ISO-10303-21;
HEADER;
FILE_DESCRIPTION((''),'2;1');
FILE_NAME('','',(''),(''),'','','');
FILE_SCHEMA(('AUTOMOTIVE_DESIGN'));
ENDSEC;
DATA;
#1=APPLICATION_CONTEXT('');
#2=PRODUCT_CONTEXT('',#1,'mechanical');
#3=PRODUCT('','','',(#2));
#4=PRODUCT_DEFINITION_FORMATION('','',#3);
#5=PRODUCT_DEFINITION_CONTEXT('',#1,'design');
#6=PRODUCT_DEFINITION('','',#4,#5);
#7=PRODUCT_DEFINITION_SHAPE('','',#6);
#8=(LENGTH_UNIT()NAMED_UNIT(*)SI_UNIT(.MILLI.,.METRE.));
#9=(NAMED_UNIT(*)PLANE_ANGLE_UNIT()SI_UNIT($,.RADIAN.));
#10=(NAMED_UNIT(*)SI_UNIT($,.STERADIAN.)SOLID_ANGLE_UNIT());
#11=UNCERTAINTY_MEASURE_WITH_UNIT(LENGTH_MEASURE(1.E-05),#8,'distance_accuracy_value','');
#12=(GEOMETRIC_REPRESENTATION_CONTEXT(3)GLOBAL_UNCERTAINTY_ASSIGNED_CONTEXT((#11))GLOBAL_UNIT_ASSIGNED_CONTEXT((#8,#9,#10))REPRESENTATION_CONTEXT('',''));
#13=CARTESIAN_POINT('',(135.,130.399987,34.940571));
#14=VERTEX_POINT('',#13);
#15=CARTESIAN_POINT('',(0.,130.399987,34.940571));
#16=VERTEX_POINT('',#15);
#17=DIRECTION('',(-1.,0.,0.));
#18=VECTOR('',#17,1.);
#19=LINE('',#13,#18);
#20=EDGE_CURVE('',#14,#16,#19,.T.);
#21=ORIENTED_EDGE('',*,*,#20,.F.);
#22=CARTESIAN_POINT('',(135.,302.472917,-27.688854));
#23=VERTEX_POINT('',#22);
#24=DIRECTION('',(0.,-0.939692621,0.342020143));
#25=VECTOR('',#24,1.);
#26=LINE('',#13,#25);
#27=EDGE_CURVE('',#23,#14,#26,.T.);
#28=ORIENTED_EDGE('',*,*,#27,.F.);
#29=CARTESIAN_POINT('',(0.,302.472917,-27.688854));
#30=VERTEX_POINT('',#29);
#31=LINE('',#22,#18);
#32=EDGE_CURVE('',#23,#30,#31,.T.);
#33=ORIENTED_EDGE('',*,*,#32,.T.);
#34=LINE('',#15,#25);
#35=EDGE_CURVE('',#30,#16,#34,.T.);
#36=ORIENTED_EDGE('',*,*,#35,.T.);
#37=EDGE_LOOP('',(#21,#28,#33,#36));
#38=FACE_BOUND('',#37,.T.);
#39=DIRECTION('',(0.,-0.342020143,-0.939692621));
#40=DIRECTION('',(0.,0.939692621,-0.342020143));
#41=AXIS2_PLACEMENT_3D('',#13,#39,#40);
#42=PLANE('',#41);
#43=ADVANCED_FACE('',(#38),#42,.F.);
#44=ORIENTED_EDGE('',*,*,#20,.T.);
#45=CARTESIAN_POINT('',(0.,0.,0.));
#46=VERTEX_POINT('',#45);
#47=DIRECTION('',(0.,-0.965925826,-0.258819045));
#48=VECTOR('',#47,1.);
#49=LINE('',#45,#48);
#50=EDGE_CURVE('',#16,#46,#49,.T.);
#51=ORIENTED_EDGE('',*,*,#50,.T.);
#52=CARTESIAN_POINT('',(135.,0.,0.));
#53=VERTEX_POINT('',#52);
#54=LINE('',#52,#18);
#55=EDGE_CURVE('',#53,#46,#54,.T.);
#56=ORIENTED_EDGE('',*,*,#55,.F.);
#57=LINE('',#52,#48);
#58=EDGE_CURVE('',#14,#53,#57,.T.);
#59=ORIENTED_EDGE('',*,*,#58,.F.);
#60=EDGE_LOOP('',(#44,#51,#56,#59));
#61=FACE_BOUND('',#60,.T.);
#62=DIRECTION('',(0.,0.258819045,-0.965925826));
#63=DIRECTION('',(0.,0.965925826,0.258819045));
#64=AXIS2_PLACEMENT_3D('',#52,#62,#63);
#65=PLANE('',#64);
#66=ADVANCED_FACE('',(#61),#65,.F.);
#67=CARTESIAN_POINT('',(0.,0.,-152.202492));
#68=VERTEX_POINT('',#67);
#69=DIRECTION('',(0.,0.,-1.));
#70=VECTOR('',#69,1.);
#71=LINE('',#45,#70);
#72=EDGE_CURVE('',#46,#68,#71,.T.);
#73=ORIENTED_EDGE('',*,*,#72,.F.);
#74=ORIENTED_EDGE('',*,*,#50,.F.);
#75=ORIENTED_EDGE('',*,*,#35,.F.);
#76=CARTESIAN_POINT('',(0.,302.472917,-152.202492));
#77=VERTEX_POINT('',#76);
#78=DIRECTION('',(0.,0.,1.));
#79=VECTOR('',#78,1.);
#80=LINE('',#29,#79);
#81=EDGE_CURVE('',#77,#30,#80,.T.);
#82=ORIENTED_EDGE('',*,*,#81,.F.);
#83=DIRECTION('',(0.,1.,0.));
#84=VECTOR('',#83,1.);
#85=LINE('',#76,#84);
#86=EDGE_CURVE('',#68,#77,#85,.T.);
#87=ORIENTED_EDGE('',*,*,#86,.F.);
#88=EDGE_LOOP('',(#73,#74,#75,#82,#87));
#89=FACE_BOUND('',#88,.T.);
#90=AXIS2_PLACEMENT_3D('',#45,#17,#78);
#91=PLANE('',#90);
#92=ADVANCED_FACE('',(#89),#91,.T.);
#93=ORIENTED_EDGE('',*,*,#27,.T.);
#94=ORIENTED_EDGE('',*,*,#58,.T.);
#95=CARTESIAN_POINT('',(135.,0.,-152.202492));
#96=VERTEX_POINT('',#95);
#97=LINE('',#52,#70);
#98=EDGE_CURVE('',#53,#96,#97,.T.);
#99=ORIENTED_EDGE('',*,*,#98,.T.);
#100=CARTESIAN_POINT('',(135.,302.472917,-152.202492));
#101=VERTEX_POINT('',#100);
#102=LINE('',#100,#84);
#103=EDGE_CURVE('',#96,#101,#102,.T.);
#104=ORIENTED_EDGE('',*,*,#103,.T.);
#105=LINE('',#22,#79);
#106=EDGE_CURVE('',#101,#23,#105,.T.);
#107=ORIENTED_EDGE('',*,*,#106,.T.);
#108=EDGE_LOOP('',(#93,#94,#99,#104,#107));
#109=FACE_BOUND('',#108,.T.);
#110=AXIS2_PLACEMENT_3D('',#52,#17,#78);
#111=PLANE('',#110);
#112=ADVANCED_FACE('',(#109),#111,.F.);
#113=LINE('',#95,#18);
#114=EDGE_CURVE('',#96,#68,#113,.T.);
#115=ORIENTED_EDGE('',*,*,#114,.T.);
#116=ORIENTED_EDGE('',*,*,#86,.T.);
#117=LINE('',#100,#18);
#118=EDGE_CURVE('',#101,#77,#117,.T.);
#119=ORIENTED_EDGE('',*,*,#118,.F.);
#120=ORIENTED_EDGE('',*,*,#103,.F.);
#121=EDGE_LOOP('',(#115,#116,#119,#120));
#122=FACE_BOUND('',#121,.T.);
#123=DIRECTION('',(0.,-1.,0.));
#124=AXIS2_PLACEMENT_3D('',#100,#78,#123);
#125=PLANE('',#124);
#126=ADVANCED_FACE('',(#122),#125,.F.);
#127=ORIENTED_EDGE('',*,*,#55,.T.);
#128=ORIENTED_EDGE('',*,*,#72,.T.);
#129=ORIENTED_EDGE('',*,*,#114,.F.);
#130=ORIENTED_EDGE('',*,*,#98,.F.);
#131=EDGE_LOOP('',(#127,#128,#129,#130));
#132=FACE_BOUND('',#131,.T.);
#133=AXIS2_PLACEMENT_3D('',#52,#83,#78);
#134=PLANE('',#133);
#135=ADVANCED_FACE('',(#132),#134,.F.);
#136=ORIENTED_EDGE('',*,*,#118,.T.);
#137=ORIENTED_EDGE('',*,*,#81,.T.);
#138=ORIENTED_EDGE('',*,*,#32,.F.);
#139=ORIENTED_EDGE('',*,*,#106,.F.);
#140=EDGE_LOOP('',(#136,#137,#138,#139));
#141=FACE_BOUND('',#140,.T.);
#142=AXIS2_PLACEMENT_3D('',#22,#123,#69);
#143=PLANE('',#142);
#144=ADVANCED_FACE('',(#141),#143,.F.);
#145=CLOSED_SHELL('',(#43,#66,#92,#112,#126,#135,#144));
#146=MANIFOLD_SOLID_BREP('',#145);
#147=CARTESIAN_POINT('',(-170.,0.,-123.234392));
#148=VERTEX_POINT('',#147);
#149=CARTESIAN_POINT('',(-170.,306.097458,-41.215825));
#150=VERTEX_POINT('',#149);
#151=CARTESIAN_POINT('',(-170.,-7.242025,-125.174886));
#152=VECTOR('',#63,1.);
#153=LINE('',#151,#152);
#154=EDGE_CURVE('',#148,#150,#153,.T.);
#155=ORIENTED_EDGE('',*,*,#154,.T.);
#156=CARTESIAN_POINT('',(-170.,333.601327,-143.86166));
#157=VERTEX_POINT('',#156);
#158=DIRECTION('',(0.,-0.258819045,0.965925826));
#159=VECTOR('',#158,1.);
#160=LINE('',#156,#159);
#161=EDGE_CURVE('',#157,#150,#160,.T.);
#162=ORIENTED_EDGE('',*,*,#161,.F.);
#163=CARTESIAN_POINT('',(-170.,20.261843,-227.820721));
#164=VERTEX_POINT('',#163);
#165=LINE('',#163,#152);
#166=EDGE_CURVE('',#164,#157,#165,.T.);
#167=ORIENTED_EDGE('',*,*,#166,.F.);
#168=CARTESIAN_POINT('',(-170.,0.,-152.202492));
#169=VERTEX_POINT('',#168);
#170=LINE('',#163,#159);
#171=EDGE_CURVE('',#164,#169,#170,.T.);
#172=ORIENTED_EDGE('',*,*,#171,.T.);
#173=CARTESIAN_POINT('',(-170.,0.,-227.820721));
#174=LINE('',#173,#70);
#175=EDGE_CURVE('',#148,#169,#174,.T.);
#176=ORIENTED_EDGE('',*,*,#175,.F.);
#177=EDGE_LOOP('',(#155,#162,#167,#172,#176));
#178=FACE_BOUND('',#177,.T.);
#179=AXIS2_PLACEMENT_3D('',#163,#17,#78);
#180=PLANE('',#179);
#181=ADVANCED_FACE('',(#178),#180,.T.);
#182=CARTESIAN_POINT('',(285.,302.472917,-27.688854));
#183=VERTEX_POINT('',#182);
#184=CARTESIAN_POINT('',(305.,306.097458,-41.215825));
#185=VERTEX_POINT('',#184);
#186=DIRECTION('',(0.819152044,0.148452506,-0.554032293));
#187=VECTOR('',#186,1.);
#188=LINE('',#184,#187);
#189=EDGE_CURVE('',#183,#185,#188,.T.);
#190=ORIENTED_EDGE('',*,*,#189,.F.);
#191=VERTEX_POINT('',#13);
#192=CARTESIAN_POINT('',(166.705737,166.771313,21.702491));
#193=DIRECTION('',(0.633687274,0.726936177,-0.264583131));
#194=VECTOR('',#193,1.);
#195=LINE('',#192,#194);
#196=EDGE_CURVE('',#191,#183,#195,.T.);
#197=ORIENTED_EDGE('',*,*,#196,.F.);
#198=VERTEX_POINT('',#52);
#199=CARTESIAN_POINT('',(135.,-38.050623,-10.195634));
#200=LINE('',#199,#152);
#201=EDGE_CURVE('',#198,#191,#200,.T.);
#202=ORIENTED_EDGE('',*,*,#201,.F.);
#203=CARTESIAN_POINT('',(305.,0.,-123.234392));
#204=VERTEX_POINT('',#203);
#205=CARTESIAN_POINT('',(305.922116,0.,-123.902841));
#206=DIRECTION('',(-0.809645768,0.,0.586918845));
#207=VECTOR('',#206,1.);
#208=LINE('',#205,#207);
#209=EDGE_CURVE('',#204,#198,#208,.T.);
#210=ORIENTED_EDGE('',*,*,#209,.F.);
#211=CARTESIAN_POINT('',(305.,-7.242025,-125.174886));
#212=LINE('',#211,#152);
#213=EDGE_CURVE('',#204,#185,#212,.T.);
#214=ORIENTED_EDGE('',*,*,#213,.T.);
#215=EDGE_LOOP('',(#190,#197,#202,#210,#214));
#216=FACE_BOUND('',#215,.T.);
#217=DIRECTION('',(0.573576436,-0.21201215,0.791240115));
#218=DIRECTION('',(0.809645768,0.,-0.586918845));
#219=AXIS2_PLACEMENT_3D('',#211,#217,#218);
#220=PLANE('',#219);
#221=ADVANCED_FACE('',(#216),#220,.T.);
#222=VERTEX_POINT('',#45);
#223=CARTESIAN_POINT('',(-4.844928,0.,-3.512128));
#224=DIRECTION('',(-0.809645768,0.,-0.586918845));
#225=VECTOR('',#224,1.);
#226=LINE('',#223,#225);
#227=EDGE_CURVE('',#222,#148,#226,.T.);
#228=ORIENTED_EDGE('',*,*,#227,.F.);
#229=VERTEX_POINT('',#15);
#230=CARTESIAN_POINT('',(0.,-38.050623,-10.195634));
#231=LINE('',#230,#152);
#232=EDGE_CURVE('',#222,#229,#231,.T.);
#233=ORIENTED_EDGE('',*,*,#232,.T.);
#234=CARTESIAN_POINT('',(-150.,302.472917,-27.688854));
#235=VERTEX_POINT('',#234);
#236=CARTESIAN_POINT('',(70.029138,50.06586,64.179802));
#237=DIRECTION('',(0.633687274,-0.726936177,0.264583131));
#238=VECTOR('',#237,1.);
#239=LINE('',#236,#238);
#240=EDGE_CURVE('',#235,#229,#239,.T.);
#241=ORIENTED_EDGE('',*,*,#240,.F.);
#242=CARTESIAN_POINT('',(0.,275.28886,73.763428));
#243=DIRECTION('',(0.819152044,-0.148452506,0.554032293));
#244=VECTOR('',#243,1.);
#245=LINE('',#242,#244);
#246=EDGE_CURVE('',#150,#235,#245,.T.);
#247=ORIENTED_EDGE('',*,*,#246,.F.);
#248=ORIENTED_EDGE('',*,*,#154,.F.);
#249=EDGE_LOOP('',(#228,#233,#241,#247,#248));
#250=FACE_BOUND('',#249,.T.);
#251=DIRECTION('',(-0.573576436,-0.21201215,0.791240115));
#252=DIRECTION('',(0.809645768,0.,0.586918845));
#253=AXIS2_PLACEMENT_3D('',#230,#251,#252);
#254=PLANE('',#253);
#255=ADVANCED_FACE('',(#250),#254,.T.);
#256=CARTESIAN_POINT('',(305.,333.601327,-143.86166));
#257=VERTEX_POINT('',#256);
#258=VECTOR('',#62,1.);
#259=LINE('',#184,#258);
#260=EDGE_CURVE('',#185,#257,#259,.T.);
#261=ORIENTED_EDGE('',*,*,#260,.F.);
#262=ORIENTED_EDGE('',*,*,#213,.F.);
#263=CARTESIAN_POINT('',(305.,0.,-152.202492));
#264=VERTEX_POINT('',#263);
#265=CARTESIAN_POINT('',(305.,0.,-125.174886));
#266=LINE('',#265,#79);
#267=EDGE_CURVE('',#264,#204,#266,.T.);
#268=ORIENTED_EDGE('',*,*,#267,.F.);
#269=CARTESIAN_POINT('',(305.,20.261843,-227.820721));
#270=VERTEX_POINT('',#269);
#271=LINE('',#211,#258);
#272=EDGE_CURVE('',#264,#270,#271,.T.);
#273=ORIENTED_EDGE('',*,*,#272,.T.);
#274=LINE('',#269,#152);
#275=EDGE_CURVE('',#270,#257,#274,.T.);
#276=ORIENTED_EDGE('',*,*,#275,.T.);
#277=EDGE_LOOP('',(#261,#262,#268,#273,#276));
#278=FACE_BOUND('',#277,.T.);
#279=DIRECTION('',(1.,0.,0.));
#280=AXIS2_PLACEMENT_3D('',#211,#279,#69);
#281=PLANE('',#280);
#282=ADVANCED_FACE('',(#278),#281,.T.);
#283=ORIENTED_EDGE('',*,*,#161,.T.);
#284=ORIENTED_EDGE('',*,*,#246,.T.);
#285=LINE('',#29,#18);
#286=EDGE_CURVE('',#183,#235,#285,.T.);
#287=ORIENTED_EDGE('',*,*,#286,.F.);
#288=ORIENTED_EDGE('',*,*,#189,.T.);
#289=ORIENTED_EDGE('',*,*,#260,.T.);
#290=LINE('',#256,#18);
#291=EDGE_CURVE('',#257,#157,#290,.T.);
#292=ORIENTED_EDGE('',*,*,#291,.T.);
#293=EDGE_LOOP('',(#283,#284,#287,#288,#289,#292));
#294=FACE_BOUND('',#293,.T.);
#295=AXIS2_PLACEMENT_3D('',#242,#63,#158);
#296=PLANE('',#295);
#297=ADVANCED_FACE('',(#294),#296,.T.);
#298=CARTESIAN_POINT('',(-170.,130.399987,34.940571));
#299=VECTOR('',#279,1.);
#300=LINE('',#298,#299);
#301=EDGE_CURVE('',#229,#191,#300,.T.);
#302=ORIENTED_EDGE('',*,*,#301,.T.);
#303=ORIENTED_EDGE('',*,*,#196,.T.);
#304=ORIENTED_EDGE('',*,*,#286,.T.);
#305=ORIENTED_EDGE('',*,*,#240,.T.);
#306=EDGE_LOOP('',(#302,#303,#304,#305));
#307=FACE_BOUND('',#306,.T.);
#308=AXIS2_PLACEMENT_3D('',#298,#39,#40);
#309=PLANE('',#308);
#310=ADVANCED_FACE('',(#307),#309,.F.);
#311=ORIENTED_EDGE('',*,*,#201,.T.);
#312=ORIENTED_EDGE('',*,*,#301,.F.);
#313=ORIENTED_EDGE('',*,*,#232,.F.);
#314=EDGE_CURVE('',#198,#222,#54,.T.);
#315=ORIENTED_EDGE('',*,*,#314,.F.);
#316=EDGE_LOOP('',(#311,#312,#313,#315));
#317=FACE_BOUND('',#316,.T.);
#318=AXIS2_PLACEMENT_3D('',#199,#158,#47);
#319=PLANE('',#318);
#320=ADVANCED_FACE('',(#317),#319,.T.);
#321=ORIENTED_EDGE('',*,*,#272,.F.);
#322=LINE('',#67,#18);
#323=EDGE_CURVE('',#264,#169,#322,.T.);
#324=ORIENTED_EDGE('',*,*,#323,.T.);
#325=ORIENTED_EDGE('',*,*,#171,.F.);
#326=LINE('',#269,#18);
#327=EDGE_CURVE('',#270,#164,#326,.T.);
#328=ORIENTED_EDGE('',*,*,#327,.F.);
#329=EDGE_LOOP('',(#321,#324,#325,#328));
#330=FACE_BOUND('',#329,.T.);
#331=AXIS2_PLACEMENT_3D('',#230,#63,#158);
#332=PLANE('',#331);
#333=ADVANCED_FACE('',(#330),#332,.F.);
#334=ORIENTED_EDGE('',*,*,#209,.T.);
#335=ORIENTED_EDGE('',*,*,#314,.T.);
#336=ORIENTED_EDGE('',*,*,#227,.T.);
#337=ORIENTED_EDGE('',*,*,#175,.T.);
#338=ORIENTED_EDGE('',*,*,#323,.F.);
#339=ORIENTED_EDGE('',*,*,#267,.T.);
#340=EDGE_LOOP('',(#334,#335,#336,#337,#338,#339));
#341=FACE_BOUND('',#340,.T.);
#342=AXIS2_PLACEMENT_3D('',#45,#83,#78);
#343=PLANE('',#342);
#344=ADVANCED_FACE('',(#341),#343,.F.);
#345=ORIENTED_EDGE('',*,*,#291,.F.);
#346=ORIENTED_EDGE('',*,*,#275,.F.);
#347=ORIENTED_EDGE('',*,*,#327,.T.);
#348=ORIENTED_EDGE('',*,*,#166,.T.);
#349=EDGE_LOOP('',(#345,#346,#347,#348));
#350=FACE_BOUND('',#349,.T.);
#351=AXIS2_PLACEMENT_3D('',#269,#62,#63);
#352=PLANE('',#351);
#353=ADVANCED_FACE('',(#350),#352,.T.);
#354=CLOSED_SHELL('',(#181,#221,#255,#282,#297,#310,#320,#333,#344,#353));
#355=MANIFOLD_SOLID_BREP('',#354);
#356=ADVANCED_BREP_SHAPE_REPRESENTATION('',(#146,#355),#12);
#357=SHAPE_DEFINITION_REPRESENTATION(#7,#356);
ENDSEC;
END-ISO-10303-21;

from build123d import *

# Parameters (mm, degrees)
BOSS_EXTRUDE3_DEPTH      = 135
BOSS_EXTRUDE4_DEPTH      = 150
BOSS_EXTRUDE4_DEPTH_BACK = 174.392904
SKETCH5_W                = 537.073181065
SKETCH5_H                = 322.774913197
CUT_EXTRUDE1_DEPTH       = 507.178946947
CUT_EXTRUDE2_DEPTH       = 507.178946947
CUT_EXTRUDE2_DEPTH_BACK  = 507.178946947


with BuildPart() as part:
    # Sketch3 → Boss-Extrude3 (new body)
    with BuildSketch(Plane(origin=(0, 0, 0), x_dir=(0, 0, -1), z_dir=(1, 0, 0))):
        Polygon((0, 0), (-34.940571089, 130.399986549), (27.688853884, 302.472917454), (152.202491734, 302.472917454), (152.202491734, 0), align=None)
    extrude(amount=BOSS_EXTRUDE3_DEPTH)


with BuildPart() as body_2:
    # Sketch4 → Boss-Extrude4 (new, two sides: drawn at the far end of the back side and taken through both)
    with BuildSketch(Plane(origin=(0, 130.399986549, 34.940571089), x_dir=(-1, 0, 0), z_dir=(0, 0.9659258262890673, 0.2588190451025249)).offset(-BOSS_EXTRUDE4_DEPTH_BACK)):
        Polygon((-305, -119.035281496), (-135, 0), (0, 0), (170, -119.035281496), (170, -225.302069257), (-305, -225.302069257), align=None)
    extrude(amount=BOSS_EXTRUDE4_DEPTH + BOSS_EXTRUDE4_DEPTH_BACK)

    # Sketch5 → Cut-Extrude1 (cut, through all)
    with BuildSketch(Plane(origin=(0, 0, 0), x_dir=(1, 0, 0), z_dir=(0, 1, 0))):
        with Locations((80.775113939, 87.718094791)):
            Rectangle(SKETCH5_W, SKETCH5_H)
    extrude(amount=-CUT_EXTRUDE1_DEPTH, mode=Mode.SUBTRACT)

    # Sketch6 → Cut-Extrude2 (cut, two sides: drawn at the far end of the back side and taken through both)
    with BuildSketch(Plane(origin=(0, 0, 0), x_dir=(0, 0, -1), z_dir=(1, 0, 0)).offset(-CUT_EXTRUDE2_DEPTH_BACK)):
        Polygon((-34.940571089, 130.399986549), (35.560367214, 324.099722587), (-80.993250265, 302.270925058), align=None)
    extrude(amount=CUT_EXTRUDE2_DEPTH + CUT_EXTRUDE2_DEPTH_BACK, mode=Mode.SUBTRACT)


solid = Compound([part.part, body_2.part])
